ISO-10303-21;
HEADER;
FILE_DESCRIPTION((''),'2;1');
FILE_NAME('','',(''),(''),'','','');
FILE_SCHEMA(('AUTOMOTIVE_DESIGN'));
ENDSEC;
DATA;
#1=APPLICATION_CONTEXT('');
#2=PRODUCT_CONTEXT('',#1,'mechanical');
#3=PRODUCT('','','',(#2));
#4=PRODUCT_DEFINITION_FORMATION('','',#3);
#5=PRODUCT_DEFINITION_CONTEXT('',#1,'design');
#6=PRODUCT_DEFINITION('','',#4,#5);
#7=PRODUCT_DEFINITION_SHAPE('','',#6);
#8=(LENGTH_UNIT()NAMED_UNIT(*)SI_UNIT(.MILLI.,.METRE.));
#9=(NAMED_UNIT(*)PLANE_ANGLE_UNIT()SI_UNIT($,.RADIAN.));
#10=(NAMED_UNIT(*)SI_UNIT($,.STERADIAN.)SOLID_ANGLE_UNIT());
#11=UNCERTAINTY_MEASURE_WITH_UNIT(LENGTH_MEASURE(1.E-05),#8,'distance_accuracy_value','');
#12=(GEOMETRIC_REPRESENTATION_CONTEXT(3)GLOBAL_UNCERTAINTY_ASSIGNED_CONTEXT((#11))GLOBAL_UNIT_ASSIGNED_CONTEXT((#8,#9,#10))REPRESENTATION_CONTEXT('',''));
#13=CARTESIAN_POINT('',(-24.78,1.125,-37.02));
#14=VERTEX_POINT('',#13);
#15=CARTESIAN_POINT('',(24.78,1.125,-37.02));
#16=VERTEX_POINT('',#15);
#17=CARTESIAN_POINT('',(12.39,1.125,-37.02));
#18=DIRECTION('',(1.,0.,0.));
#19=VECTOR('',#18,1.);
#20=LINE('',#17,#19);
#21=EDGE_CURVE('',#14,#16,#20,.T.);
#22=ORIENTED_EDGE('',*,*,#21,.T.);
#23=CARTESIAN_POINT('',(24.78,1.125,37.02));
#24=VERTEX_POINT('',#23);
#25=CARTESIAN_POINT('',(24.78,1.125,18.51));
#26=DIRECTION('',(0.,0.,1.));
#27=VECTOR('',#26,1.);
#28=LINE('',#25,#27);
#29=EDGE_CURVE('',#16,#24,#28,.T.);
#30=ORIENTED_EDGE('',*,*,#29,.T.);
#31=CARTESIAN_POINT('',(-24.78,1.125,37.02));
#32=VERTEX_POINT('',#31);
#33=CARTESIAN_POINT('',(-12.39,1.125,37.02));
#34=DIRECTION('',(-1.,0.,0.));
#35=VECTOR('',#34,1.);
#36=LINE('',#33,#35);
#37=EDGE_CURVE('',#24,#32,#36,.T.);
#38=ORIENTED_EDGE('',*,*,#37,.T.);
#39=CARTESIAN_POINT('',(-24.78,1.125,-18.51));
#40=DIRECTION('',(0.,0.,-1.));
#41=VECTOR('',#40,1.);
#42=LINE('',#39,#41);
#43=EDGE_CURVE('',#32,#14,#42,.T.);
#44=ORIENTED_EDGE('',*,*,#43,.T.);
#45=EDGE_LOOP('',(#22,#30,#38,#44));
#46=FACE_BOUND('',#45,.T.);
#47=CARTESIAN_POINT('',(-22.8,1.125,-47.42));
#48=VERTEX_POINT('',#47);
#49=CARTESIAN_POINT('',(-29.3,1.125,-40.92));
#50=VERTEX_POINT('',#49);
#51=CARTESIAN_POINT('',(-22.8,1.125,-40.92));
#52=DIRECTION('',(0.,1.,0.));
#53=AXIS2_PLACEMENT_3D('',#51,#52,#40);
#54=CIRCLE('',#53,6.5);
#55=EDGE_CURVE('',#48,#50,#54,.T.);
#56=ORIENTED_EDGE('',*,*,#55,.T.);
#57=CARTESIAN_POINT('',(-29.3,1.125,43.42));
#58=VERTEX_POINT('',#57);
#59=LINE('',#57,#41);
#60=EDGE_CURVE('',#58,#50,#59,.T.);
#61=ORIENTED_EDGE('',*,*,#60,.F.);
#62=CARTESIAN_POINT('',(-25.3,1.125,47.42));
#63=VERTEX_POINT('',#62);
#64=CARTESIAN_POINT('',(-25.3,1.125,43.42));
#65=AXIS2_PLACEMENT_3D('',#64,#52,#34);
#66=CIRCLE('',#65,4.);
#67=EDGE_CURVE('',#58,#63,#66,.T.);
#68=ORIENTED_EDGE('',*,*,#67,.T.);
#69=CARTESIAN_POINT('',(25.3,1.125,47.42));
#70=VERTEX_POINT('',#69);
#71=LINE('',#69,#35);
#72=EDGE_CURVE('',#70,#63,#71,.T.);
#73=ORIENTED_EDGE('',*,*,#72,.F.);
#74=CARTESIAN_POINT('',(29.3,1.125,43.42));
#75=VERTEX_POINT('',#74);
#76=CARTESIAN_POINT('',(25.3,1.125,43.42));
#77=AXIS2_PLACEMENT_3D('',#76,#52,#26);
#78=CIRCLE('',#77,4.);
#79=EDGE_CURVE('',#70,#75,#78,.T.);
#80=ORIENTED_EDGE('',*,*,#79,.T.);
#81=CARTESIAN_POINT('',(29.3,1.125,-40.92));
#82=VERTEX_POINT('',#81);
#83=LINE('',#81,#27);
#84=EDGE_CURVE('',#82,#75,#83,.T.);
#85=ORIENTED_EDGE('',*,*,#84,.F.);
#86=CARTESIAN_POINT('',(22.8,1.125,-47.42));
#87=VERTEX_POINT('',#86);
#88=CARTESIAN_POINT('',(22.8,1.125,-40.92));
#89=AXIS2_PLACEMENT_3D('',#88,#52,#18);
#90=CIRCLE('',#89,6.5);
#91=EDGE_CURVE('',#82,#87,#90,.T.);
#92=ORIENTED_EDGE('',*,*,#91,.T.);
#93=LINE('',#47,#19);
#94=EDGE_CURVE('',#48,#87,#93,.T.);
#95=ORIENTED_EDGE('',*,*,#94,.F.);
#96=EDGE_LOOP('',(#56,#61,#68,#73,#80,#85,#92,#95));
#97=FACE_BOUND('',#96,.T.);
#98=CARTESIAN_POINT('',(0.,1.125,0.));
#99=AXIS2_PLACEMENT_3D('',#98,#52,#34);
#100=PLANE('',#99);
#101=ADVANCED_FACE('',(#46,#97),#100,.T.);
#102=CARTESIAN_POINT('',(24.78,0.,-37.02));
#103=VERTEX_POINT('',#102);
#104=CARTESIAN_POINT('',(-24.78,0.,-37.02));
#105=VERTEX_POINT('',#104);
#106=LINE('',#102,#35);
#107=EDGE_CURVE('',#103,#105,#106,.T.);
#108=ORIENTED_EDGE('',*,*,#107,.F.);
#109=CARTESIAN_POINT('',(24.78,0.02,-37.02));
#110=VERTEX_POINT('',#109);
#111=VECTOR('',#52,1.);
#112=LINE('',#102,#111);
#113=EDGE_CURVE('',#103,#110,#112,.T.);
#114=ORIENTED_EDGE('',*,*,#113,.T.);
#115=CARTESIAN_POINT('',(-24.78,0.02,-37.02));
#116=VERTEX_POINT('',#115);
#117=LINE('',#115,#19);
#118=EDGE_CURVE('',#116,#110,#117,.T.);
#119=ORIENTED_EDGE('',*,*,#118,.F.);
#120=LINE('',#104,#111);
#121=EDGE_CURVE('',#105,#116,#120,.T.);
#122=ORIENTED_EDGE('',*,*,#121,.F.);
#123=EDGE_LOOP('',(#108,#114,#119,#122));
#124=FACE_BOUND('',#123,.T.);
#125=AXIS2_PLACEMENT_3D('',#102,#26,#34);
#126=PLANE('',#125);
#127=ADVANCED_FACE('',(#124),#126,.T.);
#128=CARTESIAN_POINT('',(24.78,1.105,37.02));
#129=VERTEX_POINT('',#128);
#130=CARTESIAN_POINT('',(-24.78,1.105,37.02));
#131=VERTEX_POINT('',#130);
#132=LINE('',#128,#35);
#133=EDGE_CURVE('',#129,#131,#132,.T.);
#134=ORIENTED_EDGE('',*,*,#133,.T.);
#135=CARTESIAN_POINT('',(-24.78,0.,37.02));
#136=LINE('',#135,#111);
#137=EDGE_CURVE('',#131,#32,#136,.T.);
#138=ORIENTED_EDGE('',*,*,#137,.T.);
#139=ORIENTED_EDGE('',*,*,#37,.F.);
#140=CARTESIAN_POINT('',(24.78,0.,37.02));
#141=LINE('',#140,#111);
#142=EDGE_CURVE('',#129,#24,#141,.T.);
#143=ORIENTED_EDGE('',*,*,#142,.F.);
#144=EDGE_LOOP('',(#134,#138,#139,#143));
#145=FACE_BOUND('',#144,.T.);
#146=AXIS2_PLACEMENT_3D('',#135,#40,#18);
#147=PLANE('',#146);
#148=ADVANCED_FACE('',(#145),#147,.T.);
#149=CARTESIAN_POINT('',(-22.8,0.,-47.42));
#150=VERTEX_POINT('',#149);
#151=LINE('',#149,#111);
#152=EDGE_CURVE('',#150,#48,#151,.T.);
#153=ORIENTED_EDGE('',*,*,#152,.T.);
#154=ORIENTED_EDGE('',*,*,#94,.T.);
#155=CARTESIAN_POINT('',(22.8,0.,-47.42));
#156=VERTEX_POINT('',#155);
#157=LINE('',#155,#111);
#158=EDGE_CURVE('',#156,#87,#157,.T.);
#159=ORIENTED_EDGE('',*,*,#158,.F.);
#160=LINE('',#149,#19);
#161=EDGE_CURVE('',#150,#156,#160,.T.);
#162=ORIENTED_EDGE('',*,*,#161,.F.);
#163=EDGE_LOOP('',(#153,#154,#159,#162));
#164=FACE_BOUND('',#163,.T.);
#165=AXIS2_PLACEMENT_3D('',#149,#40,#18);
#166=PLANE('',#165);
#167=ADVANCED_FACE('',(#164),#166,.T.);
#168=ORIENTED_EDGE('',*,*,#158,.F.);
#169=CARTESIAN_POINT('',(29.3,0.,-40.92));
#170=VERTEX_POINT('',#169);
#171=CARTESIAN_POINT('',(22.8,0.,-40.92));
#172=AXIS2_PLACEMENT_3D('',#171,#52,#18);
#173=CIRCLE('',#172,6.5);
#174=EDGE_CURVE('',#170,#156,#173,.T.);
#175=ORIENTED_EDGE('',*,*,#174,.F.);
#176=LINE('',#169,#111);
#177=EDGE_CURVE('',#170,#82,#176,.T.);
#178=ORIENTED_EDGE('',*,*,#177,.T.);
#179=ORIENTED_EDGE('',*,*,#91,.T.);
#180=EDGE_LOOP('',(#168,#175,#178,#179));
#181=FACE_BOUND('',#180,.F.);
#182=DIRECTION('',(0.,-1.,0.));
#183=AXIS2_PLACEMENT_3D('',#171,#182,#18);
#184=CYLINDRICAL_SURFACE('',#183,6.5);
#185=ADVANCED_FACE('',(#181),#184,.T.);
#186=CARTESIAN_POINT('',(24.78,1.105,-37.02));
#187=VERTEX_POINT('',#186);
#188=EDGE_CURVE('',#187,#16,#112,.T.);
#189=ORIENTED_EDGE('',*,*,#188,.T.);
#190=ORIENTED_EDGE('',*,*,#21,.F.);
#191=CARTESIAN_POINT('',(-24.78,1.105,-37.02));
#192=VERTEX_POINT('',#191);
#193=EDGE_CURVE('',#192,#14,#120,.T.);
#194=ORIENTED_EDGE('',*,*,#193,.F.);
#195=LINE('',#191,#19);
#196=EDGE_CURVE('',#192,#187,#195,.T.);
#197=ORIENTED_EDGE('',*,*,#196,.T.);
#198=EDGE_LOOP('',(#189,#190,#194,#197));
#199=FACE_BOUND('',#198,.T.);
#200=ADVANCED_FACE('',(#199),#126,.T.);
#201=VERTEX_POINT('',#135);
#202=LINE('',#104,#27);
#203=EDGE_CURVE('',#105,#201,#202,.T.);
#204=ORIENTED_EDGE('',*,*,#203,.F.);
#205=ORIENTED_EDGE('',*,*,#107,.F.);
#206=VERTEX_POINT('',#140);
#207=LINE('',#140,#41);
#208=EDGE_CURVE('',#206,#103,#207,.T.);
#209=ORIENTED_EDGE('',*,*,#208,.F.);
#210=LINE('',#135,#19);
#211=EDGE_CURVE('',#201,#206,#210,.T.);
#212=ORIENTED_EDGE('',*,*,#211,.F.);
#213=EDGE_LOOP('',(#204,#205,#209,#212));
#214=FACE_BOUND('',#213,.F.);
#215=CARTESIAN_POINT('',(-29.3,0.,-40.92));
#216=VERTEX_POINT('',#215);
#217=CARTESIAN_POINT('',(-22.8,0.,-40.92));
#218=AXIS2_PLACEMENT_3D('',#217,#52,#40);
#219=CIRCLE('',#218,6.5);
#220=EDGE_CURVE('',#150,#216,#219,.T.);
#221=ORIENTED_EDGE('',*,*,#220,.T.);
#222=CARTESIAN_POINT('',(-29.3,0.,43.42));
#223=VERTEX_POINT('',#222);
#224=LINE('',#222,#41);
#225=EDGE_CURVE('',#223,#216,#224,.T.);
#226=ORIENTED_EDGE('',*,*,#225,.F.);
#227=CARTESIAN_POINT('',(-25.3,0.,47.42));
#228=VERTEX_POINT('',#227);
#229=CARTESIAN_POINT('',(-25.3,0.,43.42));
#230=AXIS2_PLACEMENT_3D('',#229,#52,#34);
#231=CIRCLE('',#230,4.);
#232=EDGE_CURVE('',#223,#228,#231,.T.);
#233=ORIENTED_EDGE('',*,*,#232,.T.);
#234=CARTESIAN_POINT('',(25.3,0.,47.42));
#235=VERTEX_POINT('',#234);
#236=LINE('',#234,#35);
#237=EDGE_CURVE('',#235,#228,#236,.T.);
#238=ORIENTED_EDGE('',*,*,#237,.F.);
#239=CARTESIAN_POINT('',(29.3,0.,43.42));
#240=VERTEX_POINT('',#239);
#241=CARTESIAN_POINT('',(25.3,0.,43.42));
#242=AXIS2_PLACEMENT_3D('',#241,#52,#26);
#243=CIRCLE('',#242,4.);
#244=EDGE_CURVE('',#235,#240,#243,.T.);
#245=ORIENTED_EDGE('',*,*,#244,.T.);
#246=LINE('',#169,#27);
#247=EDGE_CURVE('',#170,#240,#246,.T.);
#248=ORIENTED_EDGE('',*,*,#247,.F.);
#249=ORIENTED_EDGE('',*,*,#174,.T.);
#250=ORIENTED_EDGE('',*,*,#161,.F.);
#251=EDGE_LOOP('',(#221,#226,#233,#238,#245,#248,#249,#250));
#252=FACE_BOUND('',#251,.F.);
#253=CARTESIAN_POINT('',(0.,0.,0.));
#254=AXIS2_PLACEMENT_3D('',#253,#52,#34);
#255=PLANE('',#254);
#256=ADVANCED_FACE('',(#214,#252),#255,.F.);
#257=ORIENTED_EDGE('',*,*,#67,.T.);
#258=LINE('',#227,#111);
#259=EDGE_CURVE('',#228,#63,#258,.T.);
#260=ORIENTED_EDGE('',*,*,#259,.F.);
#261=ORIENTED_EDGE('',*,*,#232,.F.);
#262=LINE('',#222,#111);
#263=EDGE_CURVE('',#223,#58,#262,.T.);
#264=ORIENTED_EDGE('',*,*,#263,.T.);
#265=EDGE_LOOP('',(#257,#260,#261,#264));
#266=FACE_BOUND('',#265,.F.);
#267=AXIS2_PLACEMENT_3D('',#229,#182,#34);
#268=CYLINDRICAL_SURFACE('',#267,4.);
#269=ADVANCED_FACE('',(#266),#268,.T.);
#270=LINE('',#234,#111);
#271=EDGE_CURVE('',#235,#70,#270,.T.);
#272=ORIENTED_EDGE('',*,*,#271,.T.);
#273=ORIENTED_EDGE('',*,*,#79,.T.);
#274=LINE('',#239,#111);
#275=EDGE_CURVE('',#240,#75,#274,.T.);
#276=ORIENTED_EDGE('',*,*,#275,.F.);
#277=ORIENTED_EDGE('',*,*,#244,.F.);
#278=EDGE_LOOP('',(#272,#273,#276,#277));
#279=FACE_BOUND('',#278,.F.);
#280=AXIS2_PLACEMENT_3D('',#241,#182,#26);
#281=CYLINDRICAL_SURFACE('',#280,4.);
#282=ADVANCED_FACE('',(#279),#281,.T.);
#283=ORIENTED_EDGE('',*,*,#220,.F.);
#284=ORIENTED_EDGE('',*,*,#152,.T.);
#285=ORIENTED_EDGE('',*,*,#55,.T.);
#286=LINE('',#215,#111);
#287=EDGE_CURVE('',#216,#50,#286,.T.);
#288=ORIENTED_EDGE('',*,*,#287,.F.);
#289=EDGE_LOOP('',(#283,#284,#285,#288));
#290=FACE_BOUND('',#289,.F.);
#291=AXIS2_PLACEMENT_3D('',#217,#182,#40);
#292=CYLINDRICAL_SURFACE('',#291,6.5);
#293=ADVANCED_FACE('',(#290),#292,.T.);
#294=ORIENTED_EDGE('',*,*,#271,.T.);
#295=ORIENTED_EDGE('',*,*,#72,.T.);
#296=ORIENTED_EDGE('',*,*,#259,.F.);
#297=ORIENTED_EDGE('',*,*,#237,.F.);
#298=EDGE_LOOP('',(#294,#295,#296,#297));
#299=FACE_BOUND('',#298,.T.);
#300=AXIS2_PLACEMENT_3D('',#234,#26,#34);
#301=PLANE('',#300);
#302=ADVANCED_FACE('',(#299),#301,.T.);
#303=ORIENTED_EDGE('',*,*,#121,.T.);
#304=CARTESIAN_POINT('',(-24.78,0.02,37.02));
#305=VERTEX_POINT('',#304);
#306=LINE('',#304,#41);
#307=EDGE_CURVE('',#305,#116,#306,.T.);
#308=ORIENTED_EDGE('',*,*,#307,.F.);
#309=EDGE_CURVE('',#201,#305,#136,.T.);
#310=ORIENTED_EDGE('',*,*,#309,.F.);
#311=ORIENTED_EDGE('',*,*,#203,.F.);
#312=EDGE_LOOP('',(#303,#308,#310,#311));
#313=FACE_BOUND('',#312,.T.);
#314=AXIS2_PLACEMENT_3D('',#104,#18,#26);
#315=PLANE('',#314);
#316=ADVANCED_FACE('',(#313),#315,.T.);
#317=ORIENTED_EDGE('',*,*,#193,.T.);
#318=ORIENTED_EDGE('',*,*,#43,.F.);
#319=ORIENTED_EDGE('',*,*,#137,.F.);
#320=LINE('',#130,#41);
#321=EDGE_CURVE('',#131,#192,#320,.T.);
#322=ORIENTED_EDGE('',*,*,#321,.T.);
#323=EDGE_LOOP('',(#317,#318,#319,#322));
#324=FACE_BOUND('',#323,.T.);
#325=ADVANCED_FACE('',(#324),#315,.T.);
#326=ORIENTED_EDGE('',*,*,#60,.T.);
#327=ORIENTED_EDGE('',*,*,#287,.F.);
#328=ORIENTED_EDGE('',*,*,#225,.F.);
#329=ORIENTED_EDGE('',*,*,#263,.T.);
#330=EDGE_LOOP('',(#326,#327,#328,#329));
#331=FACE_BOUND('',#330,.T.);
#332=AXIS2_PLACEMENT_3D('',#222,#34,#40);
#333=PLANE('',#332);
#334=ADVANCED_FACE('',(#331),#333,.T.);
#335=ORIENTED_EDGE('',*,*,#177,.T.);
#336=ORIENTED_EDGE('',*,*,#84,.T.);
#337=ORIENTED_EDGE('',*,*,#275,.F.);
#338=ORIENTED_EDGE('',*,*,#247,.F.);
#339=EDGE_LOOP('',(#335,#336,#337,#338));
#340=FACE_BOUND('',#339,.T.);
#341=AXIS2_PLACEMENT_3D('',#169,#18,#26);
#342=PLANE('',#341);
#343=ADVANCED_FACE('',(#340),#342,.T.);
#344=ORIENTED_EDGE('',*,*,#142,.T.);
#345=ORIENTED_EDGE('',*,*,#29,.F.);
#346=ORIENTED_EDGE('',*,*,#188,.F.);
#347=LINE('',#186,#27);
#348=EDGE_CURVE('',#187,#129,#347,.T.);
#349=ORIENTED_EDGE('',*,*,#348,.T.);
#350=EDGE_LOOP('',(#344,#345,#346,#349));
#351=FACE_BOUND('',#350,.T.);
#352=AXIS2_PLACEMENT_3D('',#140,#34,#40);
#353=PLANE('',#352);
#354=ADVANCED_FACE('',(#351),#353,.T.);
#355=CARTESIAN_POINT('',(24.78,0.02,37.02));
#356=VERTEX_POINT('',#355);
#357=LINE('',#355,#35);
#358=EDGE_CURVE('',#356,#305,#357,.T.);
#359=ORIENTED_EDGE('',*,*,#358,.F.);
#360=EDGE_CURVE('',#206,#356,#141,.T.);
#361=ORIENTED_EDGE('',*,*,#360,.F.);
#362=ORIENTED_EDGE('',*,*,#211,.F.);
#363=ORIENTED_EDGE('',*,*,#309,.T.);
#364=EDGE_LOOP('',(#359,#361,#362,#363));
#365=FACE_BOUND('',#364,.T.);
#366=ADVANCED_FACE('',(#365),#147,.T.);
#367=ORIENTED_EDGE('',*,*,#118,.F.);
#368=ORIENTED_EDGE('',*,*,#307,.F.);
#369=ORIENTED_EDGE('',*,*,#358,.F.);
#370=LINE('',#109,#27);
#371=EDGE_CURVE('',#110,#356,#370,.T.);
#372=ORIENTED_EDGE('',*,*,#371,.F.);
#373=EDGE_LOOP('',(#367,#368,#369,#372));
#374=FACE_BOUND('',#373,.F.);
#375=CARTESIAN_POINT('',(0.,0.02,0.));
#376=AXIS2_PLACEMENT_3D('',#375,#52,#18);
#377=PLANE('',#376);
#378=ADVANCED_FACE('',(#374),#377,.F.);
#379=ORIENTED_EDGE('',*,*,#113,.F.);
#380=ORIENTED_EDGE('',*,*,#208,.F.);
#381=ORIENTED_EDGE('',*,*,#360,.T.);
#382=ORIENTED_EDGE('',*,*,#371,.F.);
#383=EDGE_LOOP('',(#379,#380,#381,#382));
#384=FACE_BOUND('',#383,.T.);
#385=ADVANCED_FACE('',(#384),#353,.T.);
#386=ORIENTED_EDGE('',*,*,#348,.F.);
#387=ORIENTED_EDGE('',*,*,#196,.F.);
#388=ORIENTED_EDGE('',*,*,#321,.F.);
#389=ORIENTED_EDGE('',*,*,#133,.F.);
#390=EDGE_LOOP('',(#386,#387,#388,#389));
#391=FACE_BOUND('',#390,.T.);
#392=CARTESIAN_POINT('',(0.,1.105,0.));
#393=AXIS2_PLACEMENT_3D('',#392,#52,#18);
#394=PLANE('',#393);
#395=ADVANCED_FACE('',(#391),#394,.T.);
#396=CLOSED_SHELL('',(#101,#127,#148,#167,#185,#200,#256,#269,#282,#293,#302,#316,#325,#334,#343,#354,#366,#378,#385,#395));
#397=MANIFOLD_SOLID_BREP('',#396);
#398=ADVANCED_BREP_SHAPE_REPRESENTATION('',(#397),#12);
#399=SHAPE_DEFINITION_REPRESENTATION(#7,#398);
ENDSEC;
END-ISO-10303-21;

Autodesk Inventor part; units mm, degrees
ref_plane "YZ Plane" through (0, 0, 0) normal (1, 0, 0) x (0, 1, 0)
sketch "Sketch2" plane through (0, 0, 0) normal (0, 1, 0) x (-1, 0, 0)
  line L0 (-25.3, 47.42) -> (25.3, 47.42)
  line L1 (29.3, 43.42) -> (29.3, -40.92)
  line L2 (22.8, -47.42) -> (-22.8, -47.42)
  line L3 (-29.3, -40.92) -> (-29.3, 43.42)
  arc A0 (-25.3, 47.42) -> (-29.3, 43.42) centre (-25.3, 43.42) ccw
  arc A1 (29.3, 43.42) -> (25.3, 47.42) centre (25.3, 43.42) ccw
  arc A2 (22.8, -47.42) -> (29.3, -40.92) centre (22.8, -40.92) ccw
  arc A3 (-29.3, -40.92) -> (-22.8, -47.42) centre (-22.8, -40.92) ccw
  point P0 (0, 0)
  point P1 (-29.3, 47.42)
  point P2 (29.3, -47.42)
  point P3 (29.3, 47.42)
  dimension "d6" = 94.84
  dimension "d7" = 58.6
  dimension "d8" = 29.3
  dimension "d9" = 47.42
  dimension "d23" = 4
  dimension "d24" = 4
  dimension "d25" = 6.5
  dimension "d26" = 6.5
extrude "Extrusion2" add sketch "Sketch2" along normal blind 1.125
sketch "Sketch1" plane through (0, 0, 0) normal (0, 1, 0) x (-1, 0, 0)
  line L0 (24.78, 37.02) -> (-24.78, 37.02)
  line L1 (-24.78, 37.02) -> (-24.78, -37.02)
  line L2 (-24.78, -37.02) -> (24.78, -37.02)
  line L3 (24.78, -37.02) -> (24.78, 37.02)
  point P0 (0, 0)
  dimension "d0" = 49.56
  dimension "d1" = 74.04
  dimension "d2" = 37.02
  dimension "d3" = 24.78
extrude "Extrusion1" cut sketch "Sketch1" along normal blind 1.3
ref_plane "Work Plane1" through (0, 0.02, 0) normal (0, -1, 0) x (1, 0, 0)
ref_plane "Work Plane2" through (0, 1.105, 0) normal (0, 1, 0) x (1, 0, 0)
sketch "Sketch4" plane through (0, 1.105, 0) normal (0, 1, 0) x (1, 0, 0)
  line L0 (-24.78, -37.02) -> (-24.78, 37.02) projected
  line L1 (24.78, -37.02) -> (-24.78, -37.02) projected
  line L2 (24.78, 37.02) -> (24.78, -37.02) projected
  line L3 (-24.78, 37.02) -> (24.78, 37.02) projected
  line L4 (-24.78, -37.02) -> (-24.78, 37.02) projected
  line L5 (-24.78, 37.02) -> (24.78, 37.02) projected
  line L6 (24.78, 37.02) -> (24.78, -37.02) projected
  line L7 (24.78, -37.02) -> (-24.78, -37.02) projected
  line L8 (29.3, -43.42) -> (29.3, 40.92) projected
  arc A0 (29.3, 40.92) -> (22.8, 47.42) centre (22.8, 40.92) ccw projected
  line L9 (22.8, 47.42) -> (-22.8, 47.42) projected
  arc A1 (-22.8, 47.42) -> (-29.3, 40.92) centre (-22.8, 40.92) ccw projected
  line L10 (-29.3, 40.92) -> (-29.3, -43.42) projected
  arc A2 (-29.3, -43.42) -> (-25.3, -47.42) centre (-25.3, -43.42) ccw projected
  line L11 (-25.3, -47.42) -> (25.3, -47.42) projected
  arc A3 (25.3, -47.42) -> (29.3, -43.42) centre (25.3, -43.42) ccw projected
  line L12 (-24.78, -37.02) -> (24.78, -37.02) projected
  line L13 (-24.78, -37.02) -> (24.78, -37.02)
  line L14 (24.78, -37.02) -> (24.78, 37.02)
  line L15 (24.78, 37.02) -> (-24.78, 37.02)
  line L16 (-24.78, 37.02) -> (-24.78, -37.02)
  point P0 (0, 0)
extrude "Extrusion4" add sketch "Sketch4" along normal up to surface (1.085 mm away) from surface at -1.085 contours L0 L3 L2 L1
equation "\"d8\" = 0.5 * d7"
equation "\"d9\" = 0.5 * d6"
equation "\"d24\" = d23"
equation "\"d26\" = d25"
equation "\"d2\" = 0.5 * d1"
equation "\"d3\" = 0.5 * d0"
properties part number "Touchcreen+Cover"
